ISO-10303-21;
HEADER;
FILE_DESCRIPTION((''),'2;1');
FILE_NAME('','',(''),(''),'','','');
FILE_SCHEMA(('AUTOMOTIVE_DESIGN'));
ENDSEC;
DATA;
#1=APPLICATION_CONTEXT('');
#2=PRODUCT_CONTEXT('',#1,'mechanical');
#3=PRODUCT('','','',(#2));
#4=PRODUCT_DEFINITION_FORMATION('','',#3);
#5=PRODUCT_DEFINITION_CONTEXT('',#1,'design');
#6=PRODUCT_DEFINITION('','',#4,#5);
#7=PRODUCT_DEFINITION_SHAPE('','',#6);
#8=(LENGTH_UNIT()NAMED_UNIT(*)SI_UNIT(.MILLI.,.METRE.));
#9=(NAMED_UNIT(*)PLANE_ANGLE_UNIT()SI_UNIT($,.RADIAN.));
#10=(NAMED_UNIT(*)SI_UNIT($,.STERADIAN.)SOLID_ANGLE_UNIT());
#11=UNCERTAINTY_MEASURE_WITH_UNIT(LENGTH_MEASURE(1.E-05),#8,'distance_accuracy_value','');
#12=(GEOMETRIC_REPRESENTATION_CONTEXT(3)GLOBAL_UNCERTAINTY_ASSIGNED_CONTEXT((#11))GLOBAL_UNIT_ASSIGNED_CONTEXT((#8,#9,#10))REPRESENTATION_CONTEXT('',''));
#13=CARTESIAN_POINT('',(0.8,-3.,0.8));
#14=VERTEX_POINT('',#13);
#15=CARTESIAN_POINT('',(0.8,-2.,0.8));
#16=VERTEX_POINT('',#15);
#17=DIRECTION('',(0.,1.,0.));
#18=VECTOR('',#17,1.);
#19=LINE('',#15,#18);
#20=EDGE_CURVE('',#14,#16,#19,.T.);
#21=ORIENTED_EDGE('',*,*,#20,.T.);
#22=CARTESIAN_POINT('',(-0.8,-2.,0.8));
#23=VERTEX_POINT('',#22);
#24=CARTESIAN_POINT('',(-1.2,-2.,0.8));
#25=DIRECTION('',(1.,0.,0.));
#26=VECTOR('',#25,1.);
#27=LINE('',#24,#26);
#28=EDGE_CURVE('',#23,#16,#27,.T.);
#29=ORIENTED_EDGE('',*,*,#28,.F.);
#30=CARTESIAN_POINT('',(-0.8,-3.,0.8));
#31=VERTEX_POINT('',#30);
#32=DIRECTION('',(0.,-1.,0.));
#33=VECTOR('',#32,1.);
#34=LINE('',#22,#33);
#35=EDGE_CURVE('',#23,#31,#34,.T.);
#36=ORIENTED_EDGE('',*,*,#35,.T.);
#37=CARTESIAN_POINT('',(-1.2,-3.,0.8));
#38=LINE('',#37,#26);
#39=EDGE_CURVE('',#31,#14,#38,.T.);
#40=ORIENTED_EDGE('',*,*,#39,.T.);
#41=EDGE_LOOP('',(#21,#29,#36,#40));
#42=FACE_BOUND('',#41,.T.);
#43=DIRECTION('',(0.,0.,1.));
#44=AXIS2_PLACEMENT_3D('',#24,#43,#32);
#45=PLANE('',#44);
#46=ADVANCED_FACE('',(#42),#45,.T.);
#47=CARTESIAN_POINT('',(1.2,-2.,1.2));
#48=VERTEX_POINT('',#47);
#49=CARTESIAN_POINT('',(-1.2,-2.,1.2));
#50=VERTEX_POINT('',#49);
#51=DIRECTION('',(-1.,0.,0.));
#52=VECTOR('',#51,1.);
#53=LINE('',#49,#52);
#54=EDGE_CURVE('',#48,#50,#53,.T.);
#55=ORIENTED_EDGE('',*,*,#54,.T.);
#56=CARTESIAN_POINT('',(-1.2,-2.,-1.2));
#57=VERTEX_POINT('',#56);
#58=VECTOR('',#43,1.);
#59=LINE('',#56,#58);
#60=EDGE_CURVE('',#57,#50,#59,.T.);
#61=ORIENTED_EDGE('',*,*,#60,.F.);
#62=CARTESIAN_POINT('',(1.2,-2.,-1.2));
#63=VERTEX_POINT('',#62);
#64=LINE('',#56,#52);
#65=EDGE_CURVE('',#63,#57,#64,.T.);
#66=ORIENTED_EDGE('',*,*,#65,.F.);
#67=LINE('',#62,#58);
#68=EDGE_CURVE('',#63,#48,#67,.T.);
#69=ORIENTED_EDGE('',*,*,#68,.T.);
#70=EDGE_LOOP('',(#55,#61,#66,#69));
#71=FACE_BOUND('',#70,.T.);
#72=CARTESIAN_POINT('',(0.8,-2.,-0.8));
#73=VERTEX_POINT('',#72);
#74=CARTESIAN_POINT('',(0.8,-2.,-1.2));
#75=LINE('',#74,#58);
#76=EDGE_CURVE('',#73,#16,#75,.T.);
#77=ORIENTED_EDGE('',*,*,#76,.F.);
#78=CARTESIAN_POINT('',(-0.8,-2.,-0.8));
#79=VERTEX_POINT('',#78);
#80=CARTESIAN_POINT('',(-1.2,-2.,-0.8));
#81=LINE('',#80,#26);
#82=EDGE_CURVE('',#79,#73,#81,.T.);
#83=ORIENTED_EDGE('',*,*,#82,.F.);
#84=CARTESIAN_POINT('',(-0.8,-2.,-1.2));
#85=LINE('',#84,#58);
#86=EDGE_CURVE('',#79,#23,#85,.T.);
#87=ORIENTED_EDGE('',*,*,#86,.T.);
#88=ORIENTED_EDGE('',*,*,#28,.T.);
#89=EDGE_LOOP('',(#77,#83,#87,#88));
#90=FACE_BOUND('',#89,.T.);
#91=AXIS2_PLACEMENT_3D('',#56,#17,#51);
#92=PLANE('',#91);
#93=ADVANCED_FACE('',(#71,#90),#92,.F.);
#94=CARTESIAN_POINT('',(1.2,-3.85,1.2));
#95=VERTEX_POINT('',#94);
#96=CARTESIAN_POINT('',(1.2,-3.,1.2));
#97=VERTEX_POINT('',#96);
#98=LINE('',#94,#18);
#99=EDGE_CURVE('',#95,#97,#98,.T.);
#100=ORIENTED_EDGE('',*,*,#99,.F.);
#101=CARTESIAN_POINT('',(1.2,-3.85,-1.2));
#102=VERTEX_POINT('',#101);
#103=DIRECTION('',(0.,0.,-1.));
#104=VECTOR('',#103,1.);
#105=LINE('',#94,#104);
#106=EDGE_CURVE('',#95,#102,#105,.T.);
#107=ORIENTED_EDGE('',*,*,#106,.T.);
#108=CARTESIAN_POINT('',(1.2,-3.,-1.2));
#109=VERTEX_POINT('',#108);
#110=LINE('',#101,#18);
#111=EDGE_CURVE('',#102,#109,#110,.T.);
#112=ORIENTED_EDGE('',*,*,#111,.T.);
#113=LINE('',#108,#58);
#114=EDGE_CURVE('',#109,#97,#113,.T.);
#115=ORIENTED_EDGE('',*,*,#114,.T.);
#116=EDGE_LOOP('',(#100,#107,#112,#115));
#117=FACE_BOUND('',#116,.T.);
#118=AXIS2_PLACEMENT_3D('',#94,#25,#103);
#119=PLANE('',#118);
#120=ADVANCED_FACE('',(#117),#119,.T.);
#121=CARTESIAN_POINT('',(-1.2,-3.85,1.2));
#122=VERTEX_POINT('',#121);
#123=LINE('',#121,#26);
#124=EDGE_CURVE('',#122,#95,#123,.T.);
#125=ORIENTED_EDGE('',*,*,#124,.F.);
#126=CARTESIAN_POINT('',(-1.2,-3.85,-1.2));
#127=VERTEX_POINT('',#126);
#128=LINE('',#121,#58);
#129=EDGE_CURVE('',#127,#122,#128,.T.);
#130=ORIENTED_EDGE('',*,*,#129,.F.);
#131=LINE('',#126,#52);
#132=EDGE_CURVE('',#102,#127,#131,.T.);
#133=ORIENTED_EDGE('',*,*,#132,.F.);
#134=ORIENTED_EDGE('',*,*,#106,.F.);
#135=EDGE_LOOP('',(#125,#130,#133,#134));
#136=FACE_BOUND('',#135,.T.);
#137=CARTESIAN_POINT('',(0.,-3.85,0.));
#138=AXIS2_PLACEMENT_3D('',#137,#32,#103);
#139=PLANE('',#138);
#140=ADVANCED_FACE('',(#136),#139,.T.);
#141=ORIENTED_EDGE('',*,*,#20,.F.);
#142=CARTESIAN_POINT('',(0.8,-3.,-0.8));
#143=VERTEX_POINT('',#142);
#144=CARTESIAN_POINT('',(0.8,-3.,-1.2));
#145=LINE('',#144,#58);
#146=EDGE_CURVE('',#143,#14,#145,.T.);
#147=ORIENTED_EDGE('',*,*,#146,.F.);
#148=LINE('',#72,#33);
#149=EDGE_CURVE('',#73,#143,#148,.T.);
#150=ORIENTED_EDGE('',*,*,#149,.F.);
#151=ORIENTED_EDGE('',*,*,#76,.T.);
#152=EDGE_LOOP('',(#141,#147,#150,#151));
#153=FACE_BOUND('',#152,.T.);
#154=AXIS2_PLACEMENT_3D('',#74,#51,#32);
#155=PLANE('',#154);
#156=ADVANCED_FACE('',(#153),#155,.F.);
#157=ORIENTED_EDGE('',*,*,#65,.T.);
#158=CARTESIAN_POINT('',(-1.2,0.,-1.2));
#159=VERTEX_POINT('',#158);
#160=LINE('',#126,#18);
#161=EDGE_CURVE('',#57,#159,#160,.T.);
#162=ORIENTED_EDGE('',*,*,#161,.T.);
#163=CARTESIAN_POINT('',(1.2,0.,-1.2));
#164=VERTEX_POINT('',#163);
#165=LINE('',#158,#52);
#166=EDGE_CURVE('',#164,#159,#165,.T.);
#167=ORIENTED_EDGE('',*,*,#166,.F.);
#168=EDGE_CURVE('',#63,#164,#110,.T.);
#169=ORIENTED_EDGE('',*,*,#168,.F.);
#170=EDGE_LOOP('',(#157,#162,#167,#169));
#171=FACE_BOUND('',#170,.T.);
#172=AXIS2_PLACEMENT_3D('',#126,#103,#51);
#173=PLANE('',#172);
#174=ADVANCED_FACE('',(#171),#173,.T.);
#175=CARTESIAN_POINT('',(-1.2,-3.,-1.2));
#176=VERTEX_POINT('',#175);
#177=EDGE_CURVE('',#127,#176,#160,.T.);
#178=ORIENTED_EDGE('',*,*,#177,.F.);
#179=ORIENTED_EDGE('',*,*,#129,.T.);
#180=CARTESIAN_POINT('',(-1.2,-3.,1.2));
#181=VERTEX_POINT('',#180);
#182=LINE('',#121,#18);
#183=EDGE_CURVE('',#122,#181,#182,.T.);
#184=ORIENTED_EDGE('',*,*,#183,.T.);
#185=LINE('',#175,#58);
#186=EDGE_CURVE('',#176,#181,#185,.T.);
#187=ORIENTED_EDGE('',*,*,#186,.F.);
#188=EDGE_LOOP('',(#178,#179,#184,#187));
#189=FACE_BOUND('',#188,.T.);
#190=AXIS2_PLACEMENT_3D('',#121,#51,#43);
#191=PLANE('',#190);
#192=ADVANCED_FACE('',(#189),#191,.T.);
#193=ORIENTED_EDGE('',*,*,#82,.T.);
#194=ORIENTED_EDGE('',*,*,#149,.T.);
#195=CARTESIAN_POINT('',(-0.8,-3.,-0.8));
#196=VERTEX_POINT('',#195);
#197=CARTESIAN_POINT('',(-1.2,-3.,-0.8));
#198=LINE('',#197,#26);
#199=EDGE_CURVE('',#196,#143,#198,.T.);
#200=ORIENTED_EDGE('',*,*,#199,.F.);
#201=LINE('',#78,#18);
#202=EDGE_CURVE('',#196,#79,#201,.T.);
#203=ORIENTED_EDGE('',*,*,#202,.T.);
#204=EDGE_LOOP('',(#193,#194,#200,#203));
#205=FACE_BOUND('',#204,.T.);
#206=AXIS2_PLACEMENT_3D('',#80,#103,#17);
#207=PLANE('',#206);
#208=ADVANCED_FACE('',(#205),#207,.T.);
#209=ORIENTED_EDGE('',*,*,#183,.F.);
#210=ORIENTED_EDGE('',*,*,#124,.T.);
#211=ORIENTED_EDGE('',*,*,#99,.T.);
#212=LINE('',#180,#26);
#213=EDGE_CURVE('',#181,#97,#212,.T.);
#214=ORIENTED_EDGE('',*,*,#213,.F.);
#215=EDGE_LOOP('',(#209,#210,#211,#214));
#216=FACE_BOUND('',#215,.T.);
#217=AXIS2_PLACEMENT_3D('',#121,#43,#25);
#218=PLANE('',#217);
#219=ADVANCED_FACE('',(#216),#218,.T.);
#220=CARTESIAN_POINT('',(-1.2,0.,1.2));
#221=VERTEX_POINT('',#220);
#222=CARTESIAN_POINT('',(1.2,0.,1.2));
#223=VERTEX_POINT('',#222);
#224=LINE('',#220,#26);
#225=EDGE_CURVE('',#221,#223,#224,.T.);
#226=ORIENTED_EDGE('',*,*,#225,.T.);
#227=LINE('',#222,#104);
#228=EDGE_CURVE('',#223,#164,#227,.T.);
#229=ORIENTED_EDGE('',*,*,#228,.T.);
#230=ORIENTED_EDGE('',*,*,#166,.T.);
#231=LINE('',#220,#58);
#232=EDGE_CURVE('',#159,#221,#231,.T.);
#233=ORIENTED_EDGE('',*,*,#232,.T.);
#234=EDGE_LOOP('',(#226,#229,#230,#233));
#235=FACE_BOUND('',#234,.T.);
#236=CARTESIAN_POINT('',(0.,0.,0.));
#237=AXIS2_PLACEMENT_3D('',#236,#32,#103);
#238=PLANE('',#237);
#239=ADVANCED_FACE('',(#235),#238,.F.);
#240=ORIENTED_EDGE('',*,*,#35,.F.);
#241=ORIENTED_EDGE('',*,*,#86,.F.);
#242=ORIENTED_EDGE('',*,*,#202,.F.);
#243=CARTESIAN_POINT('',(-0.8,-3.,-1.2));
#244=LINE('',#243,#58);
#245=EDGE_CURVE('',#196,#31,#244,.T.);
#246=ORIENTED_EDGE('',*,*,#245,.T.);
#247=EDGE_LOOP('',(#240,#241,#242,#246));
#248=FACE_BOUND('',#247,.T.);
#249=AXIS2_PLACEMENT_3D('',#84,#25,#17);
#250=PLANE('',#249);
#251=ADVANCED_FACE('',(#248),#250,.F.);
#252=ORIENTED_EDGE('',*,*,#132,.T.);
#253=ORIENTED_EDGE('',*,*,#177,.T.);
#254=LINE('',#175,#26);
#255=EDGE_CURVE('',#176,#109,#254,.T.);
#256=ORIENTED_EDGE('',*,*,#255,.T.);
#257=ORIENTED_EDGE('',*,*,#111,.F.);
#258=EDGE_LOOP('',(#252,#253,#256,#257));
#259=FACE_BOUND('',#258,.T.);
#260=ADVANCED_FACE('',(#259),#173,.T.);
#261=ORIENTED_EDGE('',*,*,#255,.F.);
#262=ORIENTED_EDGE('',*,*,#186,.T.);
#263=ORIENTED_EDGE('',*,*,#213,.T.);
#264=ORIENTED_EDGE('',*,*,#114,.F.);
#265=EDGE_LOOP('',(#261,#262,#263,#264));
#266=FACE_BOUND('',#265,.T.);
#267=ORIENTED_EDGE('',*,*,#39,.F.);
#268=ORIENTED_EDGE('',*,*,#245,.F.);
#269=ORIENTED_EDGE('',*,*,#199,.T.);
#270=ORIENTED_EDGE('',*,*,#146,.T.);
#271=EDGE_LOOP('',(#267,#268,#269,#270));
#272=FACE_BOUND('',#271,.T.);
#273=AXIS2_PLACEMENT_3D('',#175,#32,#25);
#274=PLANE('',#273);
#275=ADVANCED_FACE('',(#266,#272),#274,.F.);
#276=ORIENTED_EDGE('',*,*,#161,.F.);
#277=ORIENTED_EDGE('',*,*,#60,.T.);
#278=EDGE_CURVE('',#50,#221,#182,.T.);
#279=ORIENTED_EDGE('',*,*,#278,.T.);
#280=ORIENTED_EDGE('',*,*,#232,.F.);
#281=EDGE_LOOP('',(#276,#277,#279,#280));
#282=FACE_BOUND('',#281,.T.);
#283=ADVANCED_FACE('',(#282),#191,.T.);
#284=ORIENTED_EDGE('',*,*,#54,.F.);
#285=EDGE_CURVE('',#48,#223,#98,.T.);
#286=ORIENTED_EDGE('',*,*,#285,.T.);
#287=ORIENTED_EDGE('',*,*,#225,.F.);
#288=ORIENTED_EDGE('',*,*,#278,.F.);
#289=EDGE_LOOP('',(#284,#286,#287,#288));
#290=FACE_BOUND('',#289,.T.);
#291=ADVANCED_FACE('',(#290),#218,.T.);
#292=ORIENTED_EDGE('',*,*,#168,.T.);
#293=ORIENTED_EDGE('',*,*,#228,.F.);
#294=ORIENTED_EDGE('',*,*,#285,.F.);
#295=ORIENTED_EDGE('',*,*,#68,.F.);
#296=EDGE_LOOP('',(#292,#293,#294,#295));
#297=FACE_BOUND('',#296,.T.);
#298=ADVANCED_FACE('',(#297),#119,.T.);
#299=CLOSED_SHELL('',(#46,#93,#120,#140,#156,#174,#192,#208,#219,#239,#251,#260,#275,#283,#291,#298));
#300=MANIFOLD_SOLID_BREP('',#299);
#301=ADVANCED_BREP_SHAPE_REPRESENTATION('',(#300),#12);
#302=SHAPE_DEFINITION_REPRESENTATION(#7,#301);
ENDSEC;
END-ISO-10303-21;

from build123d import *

# Parameters (mm, degrees)
SKETCH3_W           = 2.4
SKETCH3_H           = 2.4
BOSS_EXTRUDE3_DEPTH = 3.85
SKETCH8_W           = 0.4
SKETCH8_H           = 1
CUT_EXTRUDE1_DEPTH  = 2.4
SKETCH10_W          = 0.4
SKETCH10_H          = 1
CUT_EXTRUDE2_DEPTH  = 2.4


with BuildPart() as part:
    # Sketch3 → Boss-Extrude3 (new body)
    with BuildSketch(Plane(origin=(0, 0, 0), x_dir=(1, 0, 0), z_dir=(0, 1, 0))):
        Rectangle(SKETCH3_W, SKETCH3_H)
    extrude(amount=-BOSS_EXTRUDE3_DEPTH)

    # Sketch8 → Cut-Extrude1 (cut)
    with BuildSketch(Plane.XY.offset(1.2)):
        with Locations((-1, -2.5)):
            Rectangle(SKETCH8_W, SKETCH8_H)
        with Locations((1, -2.5)):
            Rectangle(SKETCH8_W, SKETCH8_H)
    extrude(amount=-CUT_EXTRUDE1_DEPTH, mode=Mode.SUBTRACT)

    # Sketch10 → Cut-Extrude2 (cut)
    with BuildSketch(Plane.ZY.offset(-1.2)):
        with Locations((-1, -2.5)):
            Rectangle(SKETCH10_W, SKETCH10_H)
        with Locations((1, -2.5)):
            Rectangle(SKETCH10_W, SKETCH10_H)
    extrude(amount=CUT_EXTRUDE2_DEPTH, mode=Mode.SUBTRACT)


solid = part.part
